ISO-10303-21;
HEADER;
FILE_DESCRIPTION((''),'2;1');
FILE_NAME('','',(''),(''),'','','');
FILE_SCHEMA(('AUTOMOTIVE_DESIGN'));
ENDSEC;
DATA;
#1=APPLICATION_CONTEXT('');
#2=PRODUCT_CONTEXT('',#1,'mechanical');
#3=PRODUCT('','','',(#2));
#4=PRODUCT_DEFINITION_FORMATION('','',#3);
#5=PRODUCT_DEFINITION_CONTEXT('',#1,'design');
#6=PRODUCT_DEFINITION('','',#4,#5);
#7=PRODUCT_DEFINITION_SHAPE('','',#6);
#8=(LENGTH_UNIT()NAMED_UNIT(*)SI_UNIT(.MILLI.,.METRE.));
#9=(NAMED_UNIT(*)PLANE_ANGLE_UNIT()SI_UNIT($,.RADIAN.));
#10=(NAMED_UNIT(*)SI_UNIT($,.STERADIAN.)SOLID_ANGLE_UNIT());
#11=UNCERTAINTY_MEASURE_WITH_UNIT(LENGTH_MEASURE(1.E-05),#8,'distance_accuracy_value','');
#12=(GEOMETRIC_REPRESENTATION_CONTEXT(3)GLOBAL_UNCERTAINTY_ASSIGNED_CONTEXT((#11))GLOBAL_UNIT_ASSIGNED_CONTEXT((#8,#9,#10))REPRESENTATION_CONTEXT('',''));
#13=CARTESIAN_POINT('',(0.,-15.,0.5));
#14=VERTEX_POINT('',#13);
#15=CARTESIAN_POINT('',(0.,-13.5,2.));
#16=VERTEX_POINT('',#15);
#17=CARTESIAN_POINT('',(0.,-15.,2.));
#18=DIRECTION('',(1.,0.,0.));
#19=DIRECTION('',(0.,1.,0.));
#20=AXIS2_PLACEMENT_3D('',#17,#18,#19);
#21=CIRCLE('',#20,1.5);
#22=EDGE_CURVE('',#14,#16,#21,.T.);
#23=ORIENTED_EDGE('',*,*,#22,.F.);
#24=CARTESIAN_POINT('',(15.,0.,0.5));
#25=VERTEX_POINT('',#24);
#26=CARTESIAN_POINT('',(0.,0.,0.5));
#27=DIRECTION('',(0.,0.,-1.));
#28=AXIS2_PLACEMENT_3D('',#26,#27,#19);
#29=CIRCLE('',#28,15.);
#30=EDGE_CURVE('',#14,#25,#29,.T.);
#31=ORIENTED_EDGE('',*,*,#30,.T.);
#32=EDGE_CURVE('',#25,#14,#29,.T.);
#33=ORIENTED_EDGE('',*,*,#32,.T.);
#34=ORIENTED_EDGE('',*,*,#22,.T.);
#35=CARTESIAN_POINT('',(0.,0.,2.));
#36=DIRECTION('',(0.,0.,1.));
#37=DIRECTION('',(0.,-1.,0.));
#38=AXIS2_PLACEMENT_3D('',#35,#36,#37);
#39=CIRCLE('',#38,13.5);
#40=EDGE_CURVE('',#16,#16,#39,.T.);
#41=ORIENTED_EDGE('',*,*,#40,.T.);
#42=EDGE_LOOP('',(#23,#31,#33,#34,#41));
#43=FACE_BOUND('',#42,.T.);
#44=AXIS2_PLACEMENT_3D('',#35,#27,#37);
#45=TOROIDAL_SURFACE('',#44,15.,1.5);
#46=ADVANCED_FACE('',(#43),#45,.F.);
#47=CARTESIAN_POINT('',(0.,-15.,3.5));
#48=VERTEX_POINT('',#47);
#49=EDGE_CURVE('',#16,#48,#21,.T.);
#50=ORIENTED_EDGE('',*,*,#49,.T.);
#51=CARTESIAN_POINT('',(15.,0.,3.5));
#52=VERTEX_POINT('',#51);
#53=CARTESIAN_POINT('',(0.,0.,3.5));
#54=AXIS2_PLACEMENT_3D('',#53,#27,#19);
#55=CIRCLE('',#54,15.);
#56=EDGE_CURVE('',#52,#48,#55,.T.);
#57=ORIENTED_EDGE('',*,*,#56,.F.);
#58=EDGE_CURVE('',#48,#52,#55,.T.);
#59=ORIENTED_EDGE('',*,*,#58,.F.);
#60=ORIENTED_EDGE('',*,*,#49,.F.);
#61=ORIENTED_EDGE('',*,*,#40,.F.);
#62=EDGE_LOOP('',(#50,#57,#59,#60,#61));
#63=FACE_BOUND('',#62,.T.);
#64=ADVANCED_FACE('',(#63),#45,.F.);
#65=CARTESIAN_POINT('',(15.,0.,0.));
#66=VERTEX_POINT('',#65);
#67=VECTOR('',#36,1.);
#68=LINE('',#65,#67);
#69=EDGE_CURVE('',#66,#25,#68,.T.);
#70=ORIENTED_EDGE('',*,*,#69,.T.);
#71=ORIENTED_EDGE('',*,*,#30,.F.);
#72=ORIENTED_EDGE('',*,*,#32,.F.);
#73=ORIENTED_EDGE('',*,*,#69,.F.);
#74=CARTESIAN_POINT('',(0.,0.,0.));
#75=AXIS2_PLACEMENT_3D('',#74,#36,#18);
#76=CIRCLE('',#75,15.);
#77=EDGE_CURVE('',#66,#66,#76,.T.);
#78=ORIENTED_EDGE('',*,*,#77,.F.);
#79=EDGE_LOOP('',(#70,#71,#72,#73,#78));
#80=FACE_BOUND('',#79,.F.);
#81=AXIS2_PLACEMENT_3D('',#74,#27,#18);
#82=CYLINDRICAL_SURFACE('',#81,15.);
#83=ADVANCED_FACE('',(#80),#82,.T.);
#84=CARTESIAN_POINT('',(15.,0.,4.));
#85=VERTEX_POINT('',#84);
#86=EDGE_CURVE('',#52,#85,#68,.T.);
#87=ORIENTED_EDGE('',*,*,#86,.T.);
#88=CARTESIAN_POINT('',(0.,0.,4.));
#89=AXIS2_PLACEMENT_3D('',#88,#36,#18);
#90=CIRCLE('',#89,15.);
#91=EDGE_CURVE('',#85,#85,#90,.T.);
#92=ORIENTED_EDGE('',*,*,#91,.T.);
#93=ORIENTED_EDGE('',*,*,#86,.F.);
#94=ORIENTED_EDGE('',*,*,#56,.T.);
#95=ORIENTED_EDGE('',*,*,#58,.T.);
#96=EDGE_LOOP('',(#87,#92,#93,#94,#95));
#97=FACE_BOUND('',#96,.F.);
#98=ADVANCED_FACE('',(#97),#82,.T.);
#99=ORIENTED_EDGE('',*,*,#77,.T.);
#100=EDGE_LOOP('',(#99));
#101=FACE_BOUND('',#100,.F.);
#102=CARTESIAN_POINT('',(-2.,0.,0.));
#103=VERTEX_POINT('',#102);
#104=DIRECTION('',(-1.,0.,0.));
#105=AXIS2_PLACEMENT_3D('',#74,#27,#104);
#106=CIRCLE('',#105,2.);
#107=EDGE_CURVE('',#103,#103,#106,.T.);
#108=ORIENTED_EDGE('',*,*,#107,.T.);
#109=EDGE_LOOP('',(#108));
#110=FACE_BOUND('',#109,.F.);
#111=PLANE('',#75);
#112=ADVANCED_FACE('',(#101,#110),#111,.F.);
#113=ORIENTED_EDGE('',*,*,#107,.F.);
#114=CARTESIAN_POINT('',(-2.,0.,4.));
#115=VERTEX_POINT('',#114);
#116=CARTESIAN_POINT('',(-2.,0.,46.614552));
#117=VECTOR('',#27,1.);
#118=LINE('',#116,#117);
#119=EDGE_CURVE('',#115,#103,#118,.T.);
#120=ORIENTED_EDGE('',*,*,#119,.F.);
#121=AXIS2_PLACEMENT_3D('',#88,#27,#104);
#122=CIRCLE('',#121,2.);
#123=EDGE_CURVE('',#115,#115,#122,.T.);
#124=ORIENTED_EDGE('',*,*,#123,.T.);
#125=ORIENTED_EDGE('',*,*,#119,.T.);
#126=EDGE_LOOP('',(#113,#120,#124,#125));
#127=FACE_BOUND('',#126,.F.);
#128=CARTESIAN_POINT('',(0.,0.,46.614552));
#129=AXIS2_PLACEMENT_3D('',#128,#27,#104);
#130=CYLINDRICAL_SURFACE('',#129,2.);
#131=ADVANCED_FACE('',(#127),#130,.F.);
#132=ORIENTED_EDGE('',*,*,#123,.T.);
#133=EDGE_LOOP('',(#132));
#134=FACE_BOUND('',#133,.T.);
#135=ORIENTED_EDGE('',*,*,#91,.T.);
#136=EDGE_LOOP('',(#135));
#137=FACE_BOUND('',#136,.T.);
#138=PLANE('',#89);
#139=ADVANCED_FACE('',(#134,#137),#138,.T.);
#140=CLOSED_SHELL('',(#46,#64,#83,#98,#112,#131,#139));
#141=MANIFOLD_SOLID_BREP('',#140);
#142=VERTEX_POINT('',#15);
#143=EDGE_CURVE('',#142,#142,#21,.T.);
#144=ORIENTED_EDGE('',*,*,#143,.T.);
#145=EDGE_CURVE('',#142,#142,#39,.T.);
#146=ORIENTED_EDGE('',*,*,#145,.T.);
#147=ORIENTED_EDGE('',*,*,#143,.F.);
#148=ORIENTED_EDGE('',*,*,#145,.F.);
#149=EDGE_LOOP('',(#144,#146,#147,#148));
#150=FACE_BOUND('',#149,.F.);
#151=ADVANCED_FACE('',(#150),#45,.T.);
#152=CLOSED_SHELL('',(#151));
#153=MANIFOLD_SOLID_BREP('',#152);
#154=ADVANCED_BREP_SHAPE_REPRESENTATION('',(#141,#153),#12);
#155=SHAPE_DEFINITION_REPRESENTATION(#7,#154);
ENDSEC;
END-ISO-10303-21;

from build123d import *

# Parameters (mm, degrees)
F0_R     = 15
F1_DEPTH = 4
F2_R     = 1.5
F5_D     = 4


with BuildPart() as f1:
    # F0 (on Top) → F1 (new body)
    with BuildSketch(Plane.XY):
        Circle(F0_R)
    extrude(amount=F1_DEPTH)

    # F2 (on Right) → F3 (revolve, cut)
    with BuildSketch(Plane.YZ):
        with Locations((-15, 2)):
            Circle(F2_R)
    revolve(axis=Axis((0, 0, 6.309232), (0, 0, 1)), mode=Mode.SUBTRACT)

    # F5 (through all)
    with Locations(Plane.XY.offset(4)):
        with Locations((0, 0)):
            Hole(F5_D / 2)


with BuildPart() as f6:
    # F2 (on Right) → F6 (revolve)
    with BuildSketch(Plane.YZ):
        with Locations((-15, 2)):
            Circle(F2_R)
    revolve(axis=Axis((0, 0, 6.309232), (0, 0, 1)))


solid = Compound([f1.part, f6.part])
